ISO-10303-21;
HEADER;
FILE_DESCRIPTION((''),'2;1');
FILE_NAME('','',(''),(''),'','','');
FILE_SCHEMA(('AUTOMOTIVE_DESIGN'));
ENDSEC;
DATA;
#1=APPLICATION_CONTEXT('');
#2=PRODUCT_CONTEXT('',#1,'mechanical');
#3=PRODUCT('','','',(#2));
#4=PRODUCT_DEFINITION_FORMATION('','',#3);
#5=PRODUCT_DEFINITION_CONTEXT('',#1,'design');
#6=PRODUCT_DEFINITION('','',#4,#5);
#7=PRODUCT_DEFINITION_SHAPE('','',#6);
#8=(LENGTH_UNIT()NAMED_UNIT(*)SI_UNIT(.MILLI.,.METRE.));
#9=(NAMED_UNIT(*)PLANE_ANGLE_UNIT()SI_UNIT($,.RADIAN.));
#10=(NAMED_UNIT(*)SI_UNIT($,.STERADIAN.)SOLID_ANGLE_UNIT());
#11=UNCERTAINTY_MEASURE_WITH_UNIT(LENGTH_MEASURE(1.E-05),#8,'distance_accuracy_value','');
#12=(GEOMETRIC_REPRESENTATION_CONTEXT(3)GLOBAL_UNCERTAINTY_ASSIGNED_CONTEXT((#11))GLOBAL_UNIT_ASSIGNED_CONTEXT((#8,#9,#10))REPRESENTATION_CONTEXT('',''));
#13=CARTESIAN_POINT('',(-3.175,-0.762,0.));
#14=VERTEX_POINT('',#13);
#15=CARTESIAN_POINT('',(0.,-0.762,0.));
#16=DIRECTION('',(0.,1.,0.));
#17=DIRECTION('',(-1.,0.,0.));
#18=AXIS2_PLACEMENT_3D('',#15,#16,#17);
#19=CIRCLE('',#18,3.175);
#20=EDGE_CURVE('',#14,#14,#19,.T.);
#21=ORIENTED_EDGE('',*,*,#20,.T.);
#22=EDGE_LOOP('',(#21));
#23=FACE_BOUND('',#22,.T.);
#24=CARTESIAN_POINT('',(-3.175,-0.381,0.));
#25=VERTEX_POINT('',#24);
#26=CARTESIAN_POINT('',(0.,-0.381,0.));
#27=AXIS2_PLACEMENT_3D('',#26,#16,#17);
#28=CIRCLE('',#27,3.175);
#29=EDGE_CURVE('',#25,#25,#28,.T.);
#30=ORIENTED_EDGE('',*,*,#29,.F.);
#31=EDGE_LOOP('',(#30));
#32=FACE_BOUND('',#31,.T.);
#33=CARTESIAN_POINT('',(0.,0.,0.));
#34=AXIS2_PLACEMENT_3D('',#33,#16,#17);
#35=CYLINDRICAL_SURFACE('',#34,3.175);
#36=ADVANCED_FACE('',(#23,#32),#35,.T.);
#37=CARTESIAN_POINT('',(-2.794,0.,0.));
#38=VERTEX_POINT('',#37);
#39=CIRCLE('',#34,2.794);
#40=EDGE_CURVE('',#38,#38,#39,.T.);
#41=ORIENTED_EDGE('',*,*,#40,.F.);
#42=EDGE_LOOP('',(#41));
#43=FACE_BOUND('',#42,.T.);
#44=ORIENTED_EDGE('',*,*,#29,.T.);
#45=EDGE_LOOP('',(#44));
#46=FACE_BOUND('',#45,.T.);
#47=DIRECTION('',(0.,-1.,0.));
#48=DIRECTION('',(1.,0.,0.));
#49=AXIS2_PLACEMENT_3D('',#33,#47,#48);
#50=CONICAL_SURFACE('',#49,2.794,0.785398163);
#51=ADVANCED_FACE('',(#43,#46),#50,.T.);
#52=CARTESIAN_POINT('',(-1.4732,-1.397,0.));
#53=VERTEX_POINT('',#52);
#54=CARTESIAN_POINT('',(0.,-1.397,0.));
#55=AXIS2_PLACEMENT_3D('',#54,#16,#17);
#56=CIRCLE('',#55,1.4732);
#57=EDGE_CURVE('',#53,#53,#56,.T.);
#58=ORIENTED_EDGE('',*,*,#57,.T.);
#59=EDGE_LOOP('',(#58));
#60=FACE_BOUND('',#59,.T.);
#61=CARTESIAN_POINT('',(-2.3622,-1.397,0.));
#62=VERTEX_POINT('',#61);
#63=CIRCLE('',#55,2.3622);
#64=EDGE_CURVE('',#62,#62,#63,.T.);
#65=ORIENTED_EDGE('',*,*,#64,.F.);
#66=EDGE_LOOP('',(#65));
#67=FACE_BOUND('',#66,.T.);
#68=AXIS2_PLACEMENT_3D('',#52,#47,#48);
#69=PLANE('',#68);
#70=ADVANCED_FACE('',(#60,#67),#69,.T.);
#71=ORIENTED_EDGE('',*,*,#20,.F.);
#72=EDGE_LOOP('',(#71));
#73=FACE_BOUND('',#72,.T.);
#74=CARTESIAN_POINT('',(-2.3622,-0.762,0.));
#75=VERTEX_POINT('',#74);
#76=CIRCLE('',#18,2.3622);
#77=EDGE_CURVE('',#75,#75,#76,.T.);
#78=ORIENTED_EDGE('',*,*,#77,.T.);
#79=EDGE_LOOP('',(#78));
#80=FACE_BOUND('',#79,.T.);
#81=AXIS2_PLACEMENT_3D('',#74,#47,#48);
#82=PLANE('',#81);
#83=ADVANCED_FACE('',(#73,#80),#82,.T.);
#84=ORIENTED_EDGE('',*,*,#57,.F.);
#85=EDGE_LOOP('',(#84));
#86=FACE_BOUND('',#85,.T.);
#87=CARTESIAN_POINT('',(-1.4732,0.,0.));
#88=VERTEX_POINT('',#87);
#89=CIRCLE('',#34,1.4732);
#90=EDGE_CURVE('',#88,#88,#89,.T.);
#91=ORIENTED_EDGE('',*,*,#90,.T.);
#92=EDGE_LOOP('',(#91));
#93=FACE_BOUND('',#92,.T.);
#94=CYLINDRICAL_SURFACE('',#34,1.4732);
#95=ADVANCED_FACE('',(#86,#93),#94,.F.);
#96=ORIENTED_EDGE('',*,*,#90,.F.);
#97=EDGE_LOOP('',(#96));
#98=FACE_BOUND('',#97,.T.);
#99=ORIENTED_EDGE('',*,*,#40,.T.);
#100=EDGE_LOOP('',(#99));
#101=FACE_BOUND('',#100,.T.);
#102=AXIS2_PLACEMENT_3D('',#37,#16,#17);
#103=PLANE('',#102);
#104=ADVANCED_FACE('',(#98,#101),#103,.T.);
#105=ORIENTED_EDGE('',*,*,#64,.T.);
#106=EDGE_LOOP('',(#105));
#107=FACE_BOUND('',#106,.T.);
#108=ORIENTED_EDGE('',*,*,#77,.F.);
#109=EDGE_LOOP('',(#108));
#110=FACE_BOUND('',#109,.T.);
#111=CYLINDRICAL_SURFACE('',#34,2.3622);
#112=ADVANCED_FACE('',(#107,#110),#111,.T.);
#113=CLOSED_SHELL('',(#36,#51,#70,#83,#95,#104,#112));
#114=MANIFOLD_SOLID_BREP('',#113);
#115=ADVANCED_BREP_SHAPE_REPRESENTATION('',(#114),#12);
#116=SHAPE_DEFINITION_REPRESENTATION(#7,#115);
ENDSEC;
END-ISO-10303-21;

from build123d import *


with BuildPart() as part:
    # Sketch1 → Revolve1 (revolve)
    with BuildSketch(Plane.XY):
        Polygon((-1.4732, 0), (-1.4732, -1.397), (-2.3622, -1.397), (-2.3622, -0.762), (-3.175, -0.762), (-3.175, -0.381), (-2.794, 0), align=None)
    revolve(axis=Axis((0, 0, 0), (0, -1, 0)))


solid = part.part
